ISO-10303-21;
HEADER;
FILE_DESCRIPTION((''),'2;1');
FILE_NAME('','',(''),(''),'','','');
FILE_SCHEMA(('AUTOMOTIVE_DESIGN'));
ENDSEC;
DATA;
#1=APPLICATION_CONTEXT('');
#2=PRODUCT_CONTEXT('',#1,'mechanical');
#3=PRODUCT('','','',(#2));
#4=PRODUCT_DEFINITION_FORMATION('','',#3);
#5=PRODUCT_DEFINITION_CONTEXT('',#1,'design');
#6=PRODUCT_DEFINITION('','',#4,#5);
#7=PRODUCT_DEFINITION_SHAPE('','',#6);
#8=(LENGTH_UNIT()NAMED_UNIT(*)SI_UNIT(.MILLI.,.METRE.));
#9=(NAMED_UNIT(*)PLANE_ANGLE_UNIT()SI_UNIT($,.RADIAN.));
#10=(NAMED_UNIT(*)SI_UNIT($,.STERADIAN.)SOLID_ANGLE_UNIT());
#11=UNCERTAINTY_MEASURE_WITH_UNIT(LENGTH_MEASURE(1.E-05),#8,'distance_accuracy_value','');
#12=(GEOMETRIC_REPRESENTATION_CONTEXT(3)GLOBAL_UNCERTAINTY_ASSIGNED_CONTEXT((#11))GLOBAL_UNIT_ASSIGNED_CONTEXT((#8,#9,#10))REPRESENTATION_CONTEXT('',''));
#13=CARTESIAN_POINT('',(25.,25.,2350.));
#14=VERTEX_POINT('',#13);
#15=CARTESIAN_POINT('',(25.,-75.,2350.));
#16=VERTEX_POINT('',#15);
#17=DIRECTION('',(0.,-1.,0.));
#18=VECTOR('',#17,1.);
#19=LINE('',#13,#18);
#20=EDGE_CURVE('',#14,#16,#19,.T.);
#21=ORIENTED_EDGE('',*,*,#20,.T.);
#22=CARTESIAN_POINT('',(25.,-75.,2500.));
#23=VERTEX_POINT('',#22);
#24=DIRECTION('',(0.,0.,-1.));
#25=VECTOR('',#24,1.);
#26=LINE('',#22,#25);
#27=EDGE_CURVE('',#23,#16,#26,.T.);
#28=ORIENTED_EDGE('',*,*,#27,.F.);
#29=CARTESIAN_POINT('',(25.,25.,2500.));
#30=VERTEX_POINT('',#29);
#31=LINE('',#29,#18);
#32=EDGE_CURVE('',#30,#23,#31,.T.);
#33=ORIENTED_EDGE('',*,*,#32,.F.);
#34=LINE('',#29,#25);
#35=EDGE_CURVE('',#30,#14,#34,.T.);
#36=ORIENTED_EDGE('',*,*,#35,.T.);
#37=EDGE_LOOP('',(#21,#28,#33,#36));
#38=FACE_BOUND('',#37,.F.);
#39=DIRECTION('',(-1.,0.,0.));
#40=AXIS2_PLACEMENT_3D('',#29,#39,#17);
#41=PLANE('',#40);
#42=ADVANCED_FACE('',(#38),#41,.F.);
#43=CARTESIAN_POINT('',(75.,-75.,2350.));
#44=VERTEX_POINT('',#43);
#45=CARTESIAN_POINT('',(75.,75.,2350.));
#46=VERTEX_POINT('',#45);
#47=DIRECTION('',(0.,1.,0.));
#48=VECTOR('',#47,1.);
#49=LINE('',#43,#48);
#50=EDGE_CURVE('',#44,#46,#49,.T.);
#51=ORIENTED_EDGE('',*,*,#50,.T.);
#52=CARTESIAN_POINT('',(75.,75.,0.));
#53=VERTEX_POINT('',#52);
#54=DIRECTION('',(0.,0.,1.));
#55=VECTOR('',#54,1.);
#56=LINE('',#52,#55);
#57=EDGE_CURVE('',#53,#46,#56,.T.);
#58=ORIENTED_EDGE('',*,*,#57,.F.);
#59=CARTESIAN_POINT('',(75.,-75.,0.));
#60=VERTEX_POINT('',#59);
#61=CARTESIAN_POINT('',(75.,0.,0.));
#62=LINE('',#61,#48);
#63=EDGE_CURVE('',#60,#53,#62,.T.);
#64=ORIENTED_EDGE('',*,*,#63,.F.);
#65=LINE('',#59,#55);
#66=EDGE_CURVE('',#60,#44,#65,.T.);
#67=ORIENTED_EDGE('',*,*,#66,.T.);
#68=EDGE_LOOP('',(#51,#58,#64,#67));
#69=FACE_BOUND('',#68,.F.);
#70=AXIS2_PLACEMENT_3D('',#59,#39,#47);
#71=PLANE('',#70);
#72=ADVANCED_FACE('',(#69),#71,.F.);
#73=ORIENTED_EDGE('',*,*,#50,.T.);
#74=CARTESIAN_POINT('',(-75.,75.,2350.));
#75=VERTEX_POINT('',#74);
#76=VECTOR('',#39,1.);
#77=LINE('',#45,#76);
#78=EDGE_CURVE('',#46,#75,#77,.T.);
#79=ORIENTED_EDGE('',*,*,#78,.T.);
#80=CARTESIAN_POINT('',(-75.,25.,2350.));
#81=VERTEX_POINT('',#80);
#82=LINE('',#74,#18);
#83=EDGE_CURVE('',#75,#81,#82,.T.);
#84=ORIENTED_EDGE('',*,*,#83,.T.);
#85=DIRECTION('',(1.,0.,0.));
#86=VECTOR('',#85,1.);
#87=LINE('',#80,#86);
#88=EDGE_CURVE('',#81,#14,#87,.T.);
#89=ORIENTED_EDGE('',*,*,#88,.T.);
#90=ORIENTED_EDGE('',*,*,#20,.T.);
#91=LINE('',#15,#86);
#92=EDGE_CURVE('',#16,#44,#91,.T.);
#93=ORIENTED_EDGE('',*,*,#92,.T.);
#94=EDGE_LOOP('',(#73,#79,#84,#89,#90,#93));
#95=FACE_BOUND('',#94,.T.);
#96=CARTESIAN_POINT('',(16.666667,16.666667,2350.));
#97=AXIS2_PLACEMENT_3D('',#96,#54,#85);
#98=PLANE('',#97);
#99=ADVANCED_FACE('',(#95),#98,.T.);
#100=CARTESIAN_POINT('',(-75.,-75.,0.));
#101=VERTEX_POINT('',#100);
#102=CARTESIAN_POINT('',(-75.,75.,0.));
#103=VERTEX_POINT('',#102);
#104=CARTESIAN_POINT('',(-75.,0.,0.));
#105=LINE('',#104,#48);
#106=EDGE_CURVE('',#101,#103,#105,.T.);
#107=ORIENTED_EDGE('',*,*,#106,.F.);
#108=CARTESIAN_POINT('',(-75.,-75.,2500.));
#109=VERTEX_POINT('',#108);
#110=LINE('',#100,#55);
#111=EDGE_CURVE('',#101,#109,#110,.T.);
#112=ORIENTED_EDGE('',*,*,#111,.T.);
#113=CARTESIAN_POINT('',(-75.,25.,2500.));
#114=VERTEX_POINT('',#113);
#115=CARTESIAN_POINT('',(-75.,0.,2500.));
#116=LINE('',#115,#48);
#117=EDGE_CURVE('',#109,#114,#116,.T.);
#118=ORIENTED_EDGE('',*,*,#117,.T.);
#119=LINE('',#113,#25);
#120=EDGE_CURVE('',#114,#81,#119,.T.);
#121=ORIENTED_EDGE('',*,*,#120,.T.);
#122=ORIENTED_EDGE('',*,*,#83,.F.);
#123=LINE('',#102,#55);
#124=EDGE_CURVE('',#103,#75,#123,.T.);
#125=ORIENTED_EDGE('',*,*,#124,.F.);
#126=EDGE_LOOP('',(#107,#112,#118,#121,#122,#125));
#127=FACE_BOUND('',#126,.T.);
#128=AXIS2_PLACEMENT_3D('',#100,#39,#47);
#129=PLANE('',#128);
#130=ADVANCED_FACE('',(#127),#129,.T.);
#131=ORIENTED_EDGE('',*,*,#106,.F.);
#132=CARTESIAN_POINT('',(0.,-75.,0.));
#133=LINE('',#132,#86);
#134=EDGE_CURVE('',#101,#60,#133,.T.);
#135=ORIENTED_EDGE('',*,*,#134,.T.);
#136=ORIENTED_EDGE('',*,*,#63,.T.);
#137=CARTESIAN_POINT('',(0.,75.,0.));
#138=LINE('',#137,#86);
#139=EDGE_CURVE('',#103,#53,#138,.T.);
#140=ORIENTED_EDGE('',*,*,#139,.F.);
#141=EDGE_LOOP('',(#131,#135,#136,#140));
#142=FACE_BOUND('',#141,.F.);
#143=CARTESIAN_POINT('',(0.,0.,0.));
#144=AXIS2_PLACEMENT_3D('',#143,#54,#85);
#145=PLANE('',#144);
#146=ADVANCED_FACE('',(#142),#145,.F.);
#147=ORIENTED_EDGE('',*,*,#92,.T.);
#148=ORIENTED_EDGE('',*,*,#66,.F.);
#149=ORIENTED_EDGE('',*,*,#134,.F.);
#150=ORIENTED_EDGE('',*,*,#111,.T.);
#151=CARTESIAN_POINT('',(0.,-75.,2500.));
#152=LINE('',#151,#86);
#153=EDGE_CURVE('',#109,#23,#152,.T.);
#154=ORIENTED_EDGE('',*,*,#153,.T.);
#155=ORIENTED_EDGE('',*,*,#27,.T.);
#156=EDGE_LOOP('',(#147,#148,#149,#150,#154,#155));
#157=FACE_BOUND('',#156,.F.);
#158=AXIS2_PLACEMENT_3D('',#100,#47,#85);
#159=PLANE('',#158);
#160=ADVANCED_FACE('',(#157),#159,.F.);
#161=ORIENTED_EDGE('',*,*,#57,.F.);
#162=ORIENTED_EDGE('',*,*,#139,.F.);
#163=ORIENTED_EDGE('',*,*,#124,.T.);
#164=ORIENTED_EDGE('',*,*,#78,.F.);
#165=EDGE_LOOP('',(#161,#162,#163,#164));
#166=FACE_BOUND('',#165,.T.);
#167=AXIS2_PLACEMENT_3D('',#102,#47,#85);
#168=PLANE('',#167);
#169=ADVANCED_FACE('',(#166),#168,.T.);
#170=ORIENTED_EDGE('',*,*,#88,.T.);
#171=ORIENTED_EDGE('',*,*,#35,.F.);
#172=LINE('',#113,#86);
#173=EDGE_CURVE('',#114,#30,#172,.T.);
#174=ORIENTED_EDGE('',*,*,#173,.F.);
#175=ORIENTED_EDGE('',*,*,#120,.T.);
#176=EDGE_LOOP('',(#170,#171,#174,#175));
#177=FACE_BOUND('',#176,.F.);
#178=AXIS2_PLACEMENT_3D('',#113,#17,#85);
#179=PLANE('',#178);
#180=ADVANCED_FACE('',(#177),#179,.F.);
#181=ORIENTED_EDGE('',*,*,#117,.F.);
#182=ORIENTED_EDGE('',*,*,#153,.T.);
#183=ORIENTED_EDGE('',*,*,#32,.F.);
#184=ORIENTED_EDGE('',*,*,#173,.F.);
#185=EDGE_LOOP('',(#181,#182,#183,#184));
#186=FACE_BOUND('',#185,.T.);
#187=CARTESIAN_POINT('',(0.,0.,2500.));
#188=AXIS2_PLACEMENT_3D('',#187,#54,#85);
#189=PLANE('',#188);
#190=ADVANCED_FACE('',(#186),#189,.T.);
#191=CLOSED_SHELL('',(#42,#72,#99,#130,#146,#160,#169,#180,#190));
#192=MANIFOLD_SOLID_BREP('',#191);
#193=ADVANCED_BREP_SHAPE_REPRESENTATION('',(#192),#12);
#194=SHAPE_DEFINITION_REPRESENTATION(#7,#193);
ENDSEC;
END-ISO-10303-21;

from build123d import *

# Parameters (mm, degrees)
F0_W     = 150
F0_H     = 150
F1_DEPTH = 2500
F3_DEPTH = 150


with BuildPart() as f1:
    # F0 (on Top) → F1 (new body)
    with BuildSketch(Plane.XY):
        Rectangle(F0_W, F0_H)
    extrude(amount=F1_DEPTH)

    # F2 (on face) → F3 (cut)
    with BuildSketch(Plane.XY.offset(2500)):
        Polygon((25, 25), (25, -75), (75, -75), (75, 75), (-75, 75), (-75, 25), align=None)
    extrude(amount=-F3_DEPTH, mode=Mode.SUBTRACT)


solid = f1.part
